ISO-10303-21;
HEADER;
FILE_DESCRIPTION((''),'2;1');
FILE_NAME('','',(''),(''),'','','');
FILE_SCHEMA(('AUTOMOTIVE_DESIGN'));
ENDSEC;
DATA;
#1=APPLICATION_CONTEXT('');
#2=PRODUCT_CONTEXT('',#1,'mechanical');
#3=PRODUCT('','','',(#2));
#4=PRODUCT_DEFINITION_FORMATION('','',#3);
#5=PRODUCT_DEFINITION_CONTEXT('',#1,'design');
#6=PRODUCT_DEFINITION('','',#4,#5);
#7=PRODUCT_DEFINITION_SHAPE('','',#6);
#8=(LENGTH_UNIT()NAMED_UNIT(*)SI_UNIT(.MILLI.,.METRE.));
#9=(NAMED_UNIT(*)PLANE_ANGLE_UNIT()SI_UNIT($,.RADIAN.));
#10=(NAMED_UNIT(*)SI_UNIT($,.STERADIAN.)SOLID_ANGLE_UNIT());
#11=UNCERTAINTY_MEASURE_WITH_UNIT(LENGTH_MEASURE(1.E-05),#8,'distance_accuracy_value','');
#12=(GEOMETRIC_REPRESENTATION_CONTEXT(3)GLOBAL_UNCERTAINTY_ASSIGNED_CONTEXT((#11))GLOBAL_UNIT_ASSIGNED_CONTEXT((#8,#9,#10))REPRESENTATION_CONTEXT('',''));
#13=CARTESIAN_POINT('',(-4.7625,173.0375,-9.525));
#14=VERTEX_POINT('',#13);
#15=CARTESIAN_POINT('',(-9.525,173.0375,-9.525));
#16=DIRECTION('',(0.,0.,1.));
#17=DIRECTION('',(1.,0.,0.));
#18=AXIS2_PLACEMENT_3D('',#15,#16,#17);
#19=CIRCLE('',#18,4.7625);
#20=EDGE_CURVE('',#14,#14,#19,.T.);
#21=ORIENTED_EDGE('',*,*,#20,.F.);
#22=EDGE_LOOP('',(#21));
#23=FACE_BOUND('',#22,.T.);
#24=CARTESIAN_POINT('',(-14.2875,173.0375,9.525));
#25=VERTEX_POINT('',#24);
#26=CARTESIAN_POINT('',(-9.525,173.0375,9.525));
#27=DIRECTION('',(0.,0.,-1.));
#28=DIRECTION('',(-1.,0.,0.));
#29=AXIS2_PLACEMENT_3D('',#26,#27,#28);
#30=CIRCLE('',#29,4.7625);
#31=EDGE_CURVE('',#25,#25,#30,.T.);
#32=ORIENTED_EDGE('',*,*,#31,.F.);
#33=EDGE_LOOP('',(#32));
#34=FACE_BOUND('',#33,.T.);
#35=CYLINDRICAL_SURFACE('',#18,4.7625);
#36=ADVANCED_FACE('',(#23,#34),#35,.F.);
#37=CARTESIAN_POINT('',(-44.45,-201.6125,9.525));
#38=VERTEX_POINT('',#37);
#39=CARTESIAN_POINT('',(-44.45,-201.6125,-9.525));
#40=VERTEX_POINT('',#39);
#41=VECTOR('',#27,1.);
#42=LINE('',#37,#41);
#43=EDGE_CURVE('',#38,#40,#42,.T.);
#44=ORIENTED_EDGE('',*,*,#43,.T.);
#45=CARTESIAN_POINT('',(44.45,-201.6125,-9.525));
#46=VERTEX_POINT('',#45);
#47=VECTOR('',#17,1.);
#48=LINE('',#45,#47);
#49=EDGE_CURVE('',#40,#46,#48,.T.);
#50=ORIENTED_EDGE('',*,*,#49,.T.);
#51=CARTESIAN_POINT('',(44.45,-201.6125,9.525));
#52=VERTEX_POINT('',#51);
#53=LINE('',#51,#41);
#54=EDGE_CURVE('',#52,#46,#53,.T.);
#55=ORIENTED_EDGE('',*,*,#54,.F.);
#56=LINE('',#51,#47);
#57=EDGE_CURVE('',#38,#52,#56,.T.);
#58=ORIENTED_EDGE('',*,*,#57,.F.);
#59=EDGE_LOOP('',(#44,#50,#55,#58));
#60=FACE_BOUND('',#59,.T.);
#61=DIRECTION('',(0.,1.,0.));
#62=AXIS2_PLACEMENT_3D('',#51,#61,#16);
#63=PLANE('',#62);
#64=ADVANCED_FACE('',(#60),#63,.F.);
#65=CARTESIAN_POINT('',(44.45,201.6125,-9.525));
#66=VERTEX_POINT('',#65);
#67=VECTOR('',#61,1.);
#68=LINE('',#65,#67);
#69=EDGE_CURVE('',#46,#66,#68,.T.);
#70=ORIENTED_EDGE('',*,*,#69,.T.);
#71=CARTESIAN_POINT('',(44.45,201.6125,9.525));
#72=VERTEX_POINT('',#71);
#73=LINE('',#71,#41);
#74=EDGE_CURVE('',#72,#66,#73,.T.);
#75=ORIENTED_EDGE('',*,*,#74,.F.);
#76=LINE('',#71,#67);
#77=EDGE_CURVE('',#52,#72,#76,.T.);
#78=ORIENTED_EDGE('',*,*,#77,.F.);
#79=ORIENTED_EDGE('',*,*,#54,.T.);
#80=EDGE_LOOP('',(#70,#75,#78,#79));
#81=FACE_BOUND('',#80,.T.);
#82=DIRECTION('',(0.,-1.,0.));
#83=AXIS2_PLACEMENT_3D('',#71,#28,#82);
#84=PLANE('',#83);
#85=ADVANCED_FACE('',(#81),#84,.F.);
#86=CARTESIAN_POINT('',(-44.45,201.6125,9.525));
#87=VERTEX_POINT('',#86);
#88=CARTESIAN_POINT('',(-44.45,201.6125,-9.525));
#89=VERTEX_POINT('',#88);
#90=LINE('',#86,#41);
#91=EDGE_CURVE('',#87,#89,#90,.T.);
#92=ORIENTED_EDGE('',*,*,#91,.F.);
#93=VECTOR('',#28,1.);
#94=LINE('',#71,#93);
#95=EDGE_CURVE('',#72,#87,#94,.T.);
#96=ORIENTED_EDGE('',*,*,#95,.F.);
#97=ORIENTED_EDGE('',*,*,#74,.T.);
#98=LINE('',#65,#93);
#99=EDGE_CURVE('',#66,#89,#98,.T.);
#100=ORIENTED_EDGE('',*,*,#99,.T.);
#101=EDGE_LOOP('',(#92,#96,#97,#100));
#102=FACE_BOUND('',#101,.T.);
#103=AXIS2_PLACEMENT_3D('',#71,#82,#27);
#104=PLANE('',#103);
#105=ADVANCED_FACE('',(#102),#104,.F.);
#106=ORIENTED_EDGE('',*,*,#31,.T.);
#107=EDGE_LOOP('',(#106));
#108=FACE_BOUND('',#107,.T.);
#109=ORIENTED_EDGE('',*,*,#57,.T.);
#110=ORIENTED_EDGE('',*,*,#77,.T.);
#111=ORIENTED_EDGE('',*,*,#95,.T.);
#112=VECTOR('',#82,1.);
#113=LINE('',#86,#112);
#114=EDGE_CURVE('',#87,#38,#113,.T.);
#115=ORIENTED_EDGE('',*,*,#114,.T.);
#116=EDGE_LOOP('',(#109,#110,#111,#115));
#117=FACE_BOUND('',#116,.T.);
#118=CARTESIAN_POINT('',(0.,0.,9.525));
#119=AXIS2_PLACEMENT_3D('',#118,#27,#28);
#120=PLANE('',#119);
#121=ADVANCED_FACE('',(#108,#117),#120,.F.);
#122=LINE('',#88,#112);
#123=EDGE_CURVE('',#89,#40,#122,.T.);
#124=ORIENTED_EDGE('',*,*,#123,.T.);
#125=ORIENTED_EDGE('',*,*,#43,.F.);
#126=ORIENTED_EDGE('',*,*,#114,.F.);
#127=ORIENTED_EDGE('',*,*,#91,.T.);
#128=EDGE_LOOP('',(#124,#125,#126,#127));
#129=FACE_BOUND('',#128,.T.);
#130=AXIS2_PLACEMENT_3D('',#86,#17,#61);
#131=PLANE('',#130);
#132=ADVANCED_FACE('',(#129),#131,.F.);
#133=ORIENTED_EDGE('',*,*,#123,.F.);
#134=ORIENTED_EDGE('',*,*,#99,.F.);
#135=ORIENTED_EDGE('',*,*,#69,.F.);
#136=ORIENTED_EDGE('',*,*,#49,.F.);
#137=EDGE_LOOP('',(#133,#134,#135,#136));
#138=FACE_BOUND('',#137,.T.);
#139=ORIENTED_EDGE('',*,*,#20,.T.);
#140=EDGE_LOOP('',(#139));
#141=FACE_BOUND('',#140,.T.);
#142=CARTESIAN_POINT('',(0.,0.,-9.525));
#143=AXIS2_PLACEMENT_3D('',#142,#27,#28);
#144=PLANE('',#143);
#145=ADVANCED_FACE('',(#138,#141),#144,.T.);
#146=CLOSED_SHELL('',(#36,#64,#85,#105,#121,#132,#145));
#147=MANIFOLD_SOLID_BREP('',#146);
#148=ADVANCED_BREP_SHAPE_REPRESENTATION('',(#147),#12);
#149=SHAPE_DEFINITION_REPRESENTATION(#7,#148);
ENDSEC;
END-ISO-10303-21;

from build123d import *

# Parameters (mm, degrees)
SKETCH1_W               = 88.9
SKETCH1_H               = 403.225
BOSS_EXTRUDE1_DEPTH     = 9.525
SKETCH2_R               = 4.7625
CUT_EXTRUDE1_DEPTH      = 1
CUT_EXTRUDE1_DEPTH_BACK = 20.05


with BuildPart() as part:
    # Sketch1 → Boss-Extrude1 (new body, symmetric)
    with BuildSketch(Plane.XY):
        Rectangle(SKETCH1_W, SKETCH1_H)
    extrude(amount=BOSS_EXTRUDE1_DEPTH, both=True)

    # Sketch2 → Cut-Extrude1 (cut, two sides)
    with BuildSketch(Plane.XY.offset(9.525)) as cut_extrude1_sk:
        with Locations((-9.525, 173.0375)):
            Circle(SKETCH2_R)
    extrude(amount=CUT_EXTRUDE1_DEPTH, mode=Mode.SUBTRACT)
    extrude(cut_extrude1_sk.sketch, amount=-CUT_EXTRUDE1_DEPTH_BACK, mode=Mode.SUBTRACT)


solid = part.part
